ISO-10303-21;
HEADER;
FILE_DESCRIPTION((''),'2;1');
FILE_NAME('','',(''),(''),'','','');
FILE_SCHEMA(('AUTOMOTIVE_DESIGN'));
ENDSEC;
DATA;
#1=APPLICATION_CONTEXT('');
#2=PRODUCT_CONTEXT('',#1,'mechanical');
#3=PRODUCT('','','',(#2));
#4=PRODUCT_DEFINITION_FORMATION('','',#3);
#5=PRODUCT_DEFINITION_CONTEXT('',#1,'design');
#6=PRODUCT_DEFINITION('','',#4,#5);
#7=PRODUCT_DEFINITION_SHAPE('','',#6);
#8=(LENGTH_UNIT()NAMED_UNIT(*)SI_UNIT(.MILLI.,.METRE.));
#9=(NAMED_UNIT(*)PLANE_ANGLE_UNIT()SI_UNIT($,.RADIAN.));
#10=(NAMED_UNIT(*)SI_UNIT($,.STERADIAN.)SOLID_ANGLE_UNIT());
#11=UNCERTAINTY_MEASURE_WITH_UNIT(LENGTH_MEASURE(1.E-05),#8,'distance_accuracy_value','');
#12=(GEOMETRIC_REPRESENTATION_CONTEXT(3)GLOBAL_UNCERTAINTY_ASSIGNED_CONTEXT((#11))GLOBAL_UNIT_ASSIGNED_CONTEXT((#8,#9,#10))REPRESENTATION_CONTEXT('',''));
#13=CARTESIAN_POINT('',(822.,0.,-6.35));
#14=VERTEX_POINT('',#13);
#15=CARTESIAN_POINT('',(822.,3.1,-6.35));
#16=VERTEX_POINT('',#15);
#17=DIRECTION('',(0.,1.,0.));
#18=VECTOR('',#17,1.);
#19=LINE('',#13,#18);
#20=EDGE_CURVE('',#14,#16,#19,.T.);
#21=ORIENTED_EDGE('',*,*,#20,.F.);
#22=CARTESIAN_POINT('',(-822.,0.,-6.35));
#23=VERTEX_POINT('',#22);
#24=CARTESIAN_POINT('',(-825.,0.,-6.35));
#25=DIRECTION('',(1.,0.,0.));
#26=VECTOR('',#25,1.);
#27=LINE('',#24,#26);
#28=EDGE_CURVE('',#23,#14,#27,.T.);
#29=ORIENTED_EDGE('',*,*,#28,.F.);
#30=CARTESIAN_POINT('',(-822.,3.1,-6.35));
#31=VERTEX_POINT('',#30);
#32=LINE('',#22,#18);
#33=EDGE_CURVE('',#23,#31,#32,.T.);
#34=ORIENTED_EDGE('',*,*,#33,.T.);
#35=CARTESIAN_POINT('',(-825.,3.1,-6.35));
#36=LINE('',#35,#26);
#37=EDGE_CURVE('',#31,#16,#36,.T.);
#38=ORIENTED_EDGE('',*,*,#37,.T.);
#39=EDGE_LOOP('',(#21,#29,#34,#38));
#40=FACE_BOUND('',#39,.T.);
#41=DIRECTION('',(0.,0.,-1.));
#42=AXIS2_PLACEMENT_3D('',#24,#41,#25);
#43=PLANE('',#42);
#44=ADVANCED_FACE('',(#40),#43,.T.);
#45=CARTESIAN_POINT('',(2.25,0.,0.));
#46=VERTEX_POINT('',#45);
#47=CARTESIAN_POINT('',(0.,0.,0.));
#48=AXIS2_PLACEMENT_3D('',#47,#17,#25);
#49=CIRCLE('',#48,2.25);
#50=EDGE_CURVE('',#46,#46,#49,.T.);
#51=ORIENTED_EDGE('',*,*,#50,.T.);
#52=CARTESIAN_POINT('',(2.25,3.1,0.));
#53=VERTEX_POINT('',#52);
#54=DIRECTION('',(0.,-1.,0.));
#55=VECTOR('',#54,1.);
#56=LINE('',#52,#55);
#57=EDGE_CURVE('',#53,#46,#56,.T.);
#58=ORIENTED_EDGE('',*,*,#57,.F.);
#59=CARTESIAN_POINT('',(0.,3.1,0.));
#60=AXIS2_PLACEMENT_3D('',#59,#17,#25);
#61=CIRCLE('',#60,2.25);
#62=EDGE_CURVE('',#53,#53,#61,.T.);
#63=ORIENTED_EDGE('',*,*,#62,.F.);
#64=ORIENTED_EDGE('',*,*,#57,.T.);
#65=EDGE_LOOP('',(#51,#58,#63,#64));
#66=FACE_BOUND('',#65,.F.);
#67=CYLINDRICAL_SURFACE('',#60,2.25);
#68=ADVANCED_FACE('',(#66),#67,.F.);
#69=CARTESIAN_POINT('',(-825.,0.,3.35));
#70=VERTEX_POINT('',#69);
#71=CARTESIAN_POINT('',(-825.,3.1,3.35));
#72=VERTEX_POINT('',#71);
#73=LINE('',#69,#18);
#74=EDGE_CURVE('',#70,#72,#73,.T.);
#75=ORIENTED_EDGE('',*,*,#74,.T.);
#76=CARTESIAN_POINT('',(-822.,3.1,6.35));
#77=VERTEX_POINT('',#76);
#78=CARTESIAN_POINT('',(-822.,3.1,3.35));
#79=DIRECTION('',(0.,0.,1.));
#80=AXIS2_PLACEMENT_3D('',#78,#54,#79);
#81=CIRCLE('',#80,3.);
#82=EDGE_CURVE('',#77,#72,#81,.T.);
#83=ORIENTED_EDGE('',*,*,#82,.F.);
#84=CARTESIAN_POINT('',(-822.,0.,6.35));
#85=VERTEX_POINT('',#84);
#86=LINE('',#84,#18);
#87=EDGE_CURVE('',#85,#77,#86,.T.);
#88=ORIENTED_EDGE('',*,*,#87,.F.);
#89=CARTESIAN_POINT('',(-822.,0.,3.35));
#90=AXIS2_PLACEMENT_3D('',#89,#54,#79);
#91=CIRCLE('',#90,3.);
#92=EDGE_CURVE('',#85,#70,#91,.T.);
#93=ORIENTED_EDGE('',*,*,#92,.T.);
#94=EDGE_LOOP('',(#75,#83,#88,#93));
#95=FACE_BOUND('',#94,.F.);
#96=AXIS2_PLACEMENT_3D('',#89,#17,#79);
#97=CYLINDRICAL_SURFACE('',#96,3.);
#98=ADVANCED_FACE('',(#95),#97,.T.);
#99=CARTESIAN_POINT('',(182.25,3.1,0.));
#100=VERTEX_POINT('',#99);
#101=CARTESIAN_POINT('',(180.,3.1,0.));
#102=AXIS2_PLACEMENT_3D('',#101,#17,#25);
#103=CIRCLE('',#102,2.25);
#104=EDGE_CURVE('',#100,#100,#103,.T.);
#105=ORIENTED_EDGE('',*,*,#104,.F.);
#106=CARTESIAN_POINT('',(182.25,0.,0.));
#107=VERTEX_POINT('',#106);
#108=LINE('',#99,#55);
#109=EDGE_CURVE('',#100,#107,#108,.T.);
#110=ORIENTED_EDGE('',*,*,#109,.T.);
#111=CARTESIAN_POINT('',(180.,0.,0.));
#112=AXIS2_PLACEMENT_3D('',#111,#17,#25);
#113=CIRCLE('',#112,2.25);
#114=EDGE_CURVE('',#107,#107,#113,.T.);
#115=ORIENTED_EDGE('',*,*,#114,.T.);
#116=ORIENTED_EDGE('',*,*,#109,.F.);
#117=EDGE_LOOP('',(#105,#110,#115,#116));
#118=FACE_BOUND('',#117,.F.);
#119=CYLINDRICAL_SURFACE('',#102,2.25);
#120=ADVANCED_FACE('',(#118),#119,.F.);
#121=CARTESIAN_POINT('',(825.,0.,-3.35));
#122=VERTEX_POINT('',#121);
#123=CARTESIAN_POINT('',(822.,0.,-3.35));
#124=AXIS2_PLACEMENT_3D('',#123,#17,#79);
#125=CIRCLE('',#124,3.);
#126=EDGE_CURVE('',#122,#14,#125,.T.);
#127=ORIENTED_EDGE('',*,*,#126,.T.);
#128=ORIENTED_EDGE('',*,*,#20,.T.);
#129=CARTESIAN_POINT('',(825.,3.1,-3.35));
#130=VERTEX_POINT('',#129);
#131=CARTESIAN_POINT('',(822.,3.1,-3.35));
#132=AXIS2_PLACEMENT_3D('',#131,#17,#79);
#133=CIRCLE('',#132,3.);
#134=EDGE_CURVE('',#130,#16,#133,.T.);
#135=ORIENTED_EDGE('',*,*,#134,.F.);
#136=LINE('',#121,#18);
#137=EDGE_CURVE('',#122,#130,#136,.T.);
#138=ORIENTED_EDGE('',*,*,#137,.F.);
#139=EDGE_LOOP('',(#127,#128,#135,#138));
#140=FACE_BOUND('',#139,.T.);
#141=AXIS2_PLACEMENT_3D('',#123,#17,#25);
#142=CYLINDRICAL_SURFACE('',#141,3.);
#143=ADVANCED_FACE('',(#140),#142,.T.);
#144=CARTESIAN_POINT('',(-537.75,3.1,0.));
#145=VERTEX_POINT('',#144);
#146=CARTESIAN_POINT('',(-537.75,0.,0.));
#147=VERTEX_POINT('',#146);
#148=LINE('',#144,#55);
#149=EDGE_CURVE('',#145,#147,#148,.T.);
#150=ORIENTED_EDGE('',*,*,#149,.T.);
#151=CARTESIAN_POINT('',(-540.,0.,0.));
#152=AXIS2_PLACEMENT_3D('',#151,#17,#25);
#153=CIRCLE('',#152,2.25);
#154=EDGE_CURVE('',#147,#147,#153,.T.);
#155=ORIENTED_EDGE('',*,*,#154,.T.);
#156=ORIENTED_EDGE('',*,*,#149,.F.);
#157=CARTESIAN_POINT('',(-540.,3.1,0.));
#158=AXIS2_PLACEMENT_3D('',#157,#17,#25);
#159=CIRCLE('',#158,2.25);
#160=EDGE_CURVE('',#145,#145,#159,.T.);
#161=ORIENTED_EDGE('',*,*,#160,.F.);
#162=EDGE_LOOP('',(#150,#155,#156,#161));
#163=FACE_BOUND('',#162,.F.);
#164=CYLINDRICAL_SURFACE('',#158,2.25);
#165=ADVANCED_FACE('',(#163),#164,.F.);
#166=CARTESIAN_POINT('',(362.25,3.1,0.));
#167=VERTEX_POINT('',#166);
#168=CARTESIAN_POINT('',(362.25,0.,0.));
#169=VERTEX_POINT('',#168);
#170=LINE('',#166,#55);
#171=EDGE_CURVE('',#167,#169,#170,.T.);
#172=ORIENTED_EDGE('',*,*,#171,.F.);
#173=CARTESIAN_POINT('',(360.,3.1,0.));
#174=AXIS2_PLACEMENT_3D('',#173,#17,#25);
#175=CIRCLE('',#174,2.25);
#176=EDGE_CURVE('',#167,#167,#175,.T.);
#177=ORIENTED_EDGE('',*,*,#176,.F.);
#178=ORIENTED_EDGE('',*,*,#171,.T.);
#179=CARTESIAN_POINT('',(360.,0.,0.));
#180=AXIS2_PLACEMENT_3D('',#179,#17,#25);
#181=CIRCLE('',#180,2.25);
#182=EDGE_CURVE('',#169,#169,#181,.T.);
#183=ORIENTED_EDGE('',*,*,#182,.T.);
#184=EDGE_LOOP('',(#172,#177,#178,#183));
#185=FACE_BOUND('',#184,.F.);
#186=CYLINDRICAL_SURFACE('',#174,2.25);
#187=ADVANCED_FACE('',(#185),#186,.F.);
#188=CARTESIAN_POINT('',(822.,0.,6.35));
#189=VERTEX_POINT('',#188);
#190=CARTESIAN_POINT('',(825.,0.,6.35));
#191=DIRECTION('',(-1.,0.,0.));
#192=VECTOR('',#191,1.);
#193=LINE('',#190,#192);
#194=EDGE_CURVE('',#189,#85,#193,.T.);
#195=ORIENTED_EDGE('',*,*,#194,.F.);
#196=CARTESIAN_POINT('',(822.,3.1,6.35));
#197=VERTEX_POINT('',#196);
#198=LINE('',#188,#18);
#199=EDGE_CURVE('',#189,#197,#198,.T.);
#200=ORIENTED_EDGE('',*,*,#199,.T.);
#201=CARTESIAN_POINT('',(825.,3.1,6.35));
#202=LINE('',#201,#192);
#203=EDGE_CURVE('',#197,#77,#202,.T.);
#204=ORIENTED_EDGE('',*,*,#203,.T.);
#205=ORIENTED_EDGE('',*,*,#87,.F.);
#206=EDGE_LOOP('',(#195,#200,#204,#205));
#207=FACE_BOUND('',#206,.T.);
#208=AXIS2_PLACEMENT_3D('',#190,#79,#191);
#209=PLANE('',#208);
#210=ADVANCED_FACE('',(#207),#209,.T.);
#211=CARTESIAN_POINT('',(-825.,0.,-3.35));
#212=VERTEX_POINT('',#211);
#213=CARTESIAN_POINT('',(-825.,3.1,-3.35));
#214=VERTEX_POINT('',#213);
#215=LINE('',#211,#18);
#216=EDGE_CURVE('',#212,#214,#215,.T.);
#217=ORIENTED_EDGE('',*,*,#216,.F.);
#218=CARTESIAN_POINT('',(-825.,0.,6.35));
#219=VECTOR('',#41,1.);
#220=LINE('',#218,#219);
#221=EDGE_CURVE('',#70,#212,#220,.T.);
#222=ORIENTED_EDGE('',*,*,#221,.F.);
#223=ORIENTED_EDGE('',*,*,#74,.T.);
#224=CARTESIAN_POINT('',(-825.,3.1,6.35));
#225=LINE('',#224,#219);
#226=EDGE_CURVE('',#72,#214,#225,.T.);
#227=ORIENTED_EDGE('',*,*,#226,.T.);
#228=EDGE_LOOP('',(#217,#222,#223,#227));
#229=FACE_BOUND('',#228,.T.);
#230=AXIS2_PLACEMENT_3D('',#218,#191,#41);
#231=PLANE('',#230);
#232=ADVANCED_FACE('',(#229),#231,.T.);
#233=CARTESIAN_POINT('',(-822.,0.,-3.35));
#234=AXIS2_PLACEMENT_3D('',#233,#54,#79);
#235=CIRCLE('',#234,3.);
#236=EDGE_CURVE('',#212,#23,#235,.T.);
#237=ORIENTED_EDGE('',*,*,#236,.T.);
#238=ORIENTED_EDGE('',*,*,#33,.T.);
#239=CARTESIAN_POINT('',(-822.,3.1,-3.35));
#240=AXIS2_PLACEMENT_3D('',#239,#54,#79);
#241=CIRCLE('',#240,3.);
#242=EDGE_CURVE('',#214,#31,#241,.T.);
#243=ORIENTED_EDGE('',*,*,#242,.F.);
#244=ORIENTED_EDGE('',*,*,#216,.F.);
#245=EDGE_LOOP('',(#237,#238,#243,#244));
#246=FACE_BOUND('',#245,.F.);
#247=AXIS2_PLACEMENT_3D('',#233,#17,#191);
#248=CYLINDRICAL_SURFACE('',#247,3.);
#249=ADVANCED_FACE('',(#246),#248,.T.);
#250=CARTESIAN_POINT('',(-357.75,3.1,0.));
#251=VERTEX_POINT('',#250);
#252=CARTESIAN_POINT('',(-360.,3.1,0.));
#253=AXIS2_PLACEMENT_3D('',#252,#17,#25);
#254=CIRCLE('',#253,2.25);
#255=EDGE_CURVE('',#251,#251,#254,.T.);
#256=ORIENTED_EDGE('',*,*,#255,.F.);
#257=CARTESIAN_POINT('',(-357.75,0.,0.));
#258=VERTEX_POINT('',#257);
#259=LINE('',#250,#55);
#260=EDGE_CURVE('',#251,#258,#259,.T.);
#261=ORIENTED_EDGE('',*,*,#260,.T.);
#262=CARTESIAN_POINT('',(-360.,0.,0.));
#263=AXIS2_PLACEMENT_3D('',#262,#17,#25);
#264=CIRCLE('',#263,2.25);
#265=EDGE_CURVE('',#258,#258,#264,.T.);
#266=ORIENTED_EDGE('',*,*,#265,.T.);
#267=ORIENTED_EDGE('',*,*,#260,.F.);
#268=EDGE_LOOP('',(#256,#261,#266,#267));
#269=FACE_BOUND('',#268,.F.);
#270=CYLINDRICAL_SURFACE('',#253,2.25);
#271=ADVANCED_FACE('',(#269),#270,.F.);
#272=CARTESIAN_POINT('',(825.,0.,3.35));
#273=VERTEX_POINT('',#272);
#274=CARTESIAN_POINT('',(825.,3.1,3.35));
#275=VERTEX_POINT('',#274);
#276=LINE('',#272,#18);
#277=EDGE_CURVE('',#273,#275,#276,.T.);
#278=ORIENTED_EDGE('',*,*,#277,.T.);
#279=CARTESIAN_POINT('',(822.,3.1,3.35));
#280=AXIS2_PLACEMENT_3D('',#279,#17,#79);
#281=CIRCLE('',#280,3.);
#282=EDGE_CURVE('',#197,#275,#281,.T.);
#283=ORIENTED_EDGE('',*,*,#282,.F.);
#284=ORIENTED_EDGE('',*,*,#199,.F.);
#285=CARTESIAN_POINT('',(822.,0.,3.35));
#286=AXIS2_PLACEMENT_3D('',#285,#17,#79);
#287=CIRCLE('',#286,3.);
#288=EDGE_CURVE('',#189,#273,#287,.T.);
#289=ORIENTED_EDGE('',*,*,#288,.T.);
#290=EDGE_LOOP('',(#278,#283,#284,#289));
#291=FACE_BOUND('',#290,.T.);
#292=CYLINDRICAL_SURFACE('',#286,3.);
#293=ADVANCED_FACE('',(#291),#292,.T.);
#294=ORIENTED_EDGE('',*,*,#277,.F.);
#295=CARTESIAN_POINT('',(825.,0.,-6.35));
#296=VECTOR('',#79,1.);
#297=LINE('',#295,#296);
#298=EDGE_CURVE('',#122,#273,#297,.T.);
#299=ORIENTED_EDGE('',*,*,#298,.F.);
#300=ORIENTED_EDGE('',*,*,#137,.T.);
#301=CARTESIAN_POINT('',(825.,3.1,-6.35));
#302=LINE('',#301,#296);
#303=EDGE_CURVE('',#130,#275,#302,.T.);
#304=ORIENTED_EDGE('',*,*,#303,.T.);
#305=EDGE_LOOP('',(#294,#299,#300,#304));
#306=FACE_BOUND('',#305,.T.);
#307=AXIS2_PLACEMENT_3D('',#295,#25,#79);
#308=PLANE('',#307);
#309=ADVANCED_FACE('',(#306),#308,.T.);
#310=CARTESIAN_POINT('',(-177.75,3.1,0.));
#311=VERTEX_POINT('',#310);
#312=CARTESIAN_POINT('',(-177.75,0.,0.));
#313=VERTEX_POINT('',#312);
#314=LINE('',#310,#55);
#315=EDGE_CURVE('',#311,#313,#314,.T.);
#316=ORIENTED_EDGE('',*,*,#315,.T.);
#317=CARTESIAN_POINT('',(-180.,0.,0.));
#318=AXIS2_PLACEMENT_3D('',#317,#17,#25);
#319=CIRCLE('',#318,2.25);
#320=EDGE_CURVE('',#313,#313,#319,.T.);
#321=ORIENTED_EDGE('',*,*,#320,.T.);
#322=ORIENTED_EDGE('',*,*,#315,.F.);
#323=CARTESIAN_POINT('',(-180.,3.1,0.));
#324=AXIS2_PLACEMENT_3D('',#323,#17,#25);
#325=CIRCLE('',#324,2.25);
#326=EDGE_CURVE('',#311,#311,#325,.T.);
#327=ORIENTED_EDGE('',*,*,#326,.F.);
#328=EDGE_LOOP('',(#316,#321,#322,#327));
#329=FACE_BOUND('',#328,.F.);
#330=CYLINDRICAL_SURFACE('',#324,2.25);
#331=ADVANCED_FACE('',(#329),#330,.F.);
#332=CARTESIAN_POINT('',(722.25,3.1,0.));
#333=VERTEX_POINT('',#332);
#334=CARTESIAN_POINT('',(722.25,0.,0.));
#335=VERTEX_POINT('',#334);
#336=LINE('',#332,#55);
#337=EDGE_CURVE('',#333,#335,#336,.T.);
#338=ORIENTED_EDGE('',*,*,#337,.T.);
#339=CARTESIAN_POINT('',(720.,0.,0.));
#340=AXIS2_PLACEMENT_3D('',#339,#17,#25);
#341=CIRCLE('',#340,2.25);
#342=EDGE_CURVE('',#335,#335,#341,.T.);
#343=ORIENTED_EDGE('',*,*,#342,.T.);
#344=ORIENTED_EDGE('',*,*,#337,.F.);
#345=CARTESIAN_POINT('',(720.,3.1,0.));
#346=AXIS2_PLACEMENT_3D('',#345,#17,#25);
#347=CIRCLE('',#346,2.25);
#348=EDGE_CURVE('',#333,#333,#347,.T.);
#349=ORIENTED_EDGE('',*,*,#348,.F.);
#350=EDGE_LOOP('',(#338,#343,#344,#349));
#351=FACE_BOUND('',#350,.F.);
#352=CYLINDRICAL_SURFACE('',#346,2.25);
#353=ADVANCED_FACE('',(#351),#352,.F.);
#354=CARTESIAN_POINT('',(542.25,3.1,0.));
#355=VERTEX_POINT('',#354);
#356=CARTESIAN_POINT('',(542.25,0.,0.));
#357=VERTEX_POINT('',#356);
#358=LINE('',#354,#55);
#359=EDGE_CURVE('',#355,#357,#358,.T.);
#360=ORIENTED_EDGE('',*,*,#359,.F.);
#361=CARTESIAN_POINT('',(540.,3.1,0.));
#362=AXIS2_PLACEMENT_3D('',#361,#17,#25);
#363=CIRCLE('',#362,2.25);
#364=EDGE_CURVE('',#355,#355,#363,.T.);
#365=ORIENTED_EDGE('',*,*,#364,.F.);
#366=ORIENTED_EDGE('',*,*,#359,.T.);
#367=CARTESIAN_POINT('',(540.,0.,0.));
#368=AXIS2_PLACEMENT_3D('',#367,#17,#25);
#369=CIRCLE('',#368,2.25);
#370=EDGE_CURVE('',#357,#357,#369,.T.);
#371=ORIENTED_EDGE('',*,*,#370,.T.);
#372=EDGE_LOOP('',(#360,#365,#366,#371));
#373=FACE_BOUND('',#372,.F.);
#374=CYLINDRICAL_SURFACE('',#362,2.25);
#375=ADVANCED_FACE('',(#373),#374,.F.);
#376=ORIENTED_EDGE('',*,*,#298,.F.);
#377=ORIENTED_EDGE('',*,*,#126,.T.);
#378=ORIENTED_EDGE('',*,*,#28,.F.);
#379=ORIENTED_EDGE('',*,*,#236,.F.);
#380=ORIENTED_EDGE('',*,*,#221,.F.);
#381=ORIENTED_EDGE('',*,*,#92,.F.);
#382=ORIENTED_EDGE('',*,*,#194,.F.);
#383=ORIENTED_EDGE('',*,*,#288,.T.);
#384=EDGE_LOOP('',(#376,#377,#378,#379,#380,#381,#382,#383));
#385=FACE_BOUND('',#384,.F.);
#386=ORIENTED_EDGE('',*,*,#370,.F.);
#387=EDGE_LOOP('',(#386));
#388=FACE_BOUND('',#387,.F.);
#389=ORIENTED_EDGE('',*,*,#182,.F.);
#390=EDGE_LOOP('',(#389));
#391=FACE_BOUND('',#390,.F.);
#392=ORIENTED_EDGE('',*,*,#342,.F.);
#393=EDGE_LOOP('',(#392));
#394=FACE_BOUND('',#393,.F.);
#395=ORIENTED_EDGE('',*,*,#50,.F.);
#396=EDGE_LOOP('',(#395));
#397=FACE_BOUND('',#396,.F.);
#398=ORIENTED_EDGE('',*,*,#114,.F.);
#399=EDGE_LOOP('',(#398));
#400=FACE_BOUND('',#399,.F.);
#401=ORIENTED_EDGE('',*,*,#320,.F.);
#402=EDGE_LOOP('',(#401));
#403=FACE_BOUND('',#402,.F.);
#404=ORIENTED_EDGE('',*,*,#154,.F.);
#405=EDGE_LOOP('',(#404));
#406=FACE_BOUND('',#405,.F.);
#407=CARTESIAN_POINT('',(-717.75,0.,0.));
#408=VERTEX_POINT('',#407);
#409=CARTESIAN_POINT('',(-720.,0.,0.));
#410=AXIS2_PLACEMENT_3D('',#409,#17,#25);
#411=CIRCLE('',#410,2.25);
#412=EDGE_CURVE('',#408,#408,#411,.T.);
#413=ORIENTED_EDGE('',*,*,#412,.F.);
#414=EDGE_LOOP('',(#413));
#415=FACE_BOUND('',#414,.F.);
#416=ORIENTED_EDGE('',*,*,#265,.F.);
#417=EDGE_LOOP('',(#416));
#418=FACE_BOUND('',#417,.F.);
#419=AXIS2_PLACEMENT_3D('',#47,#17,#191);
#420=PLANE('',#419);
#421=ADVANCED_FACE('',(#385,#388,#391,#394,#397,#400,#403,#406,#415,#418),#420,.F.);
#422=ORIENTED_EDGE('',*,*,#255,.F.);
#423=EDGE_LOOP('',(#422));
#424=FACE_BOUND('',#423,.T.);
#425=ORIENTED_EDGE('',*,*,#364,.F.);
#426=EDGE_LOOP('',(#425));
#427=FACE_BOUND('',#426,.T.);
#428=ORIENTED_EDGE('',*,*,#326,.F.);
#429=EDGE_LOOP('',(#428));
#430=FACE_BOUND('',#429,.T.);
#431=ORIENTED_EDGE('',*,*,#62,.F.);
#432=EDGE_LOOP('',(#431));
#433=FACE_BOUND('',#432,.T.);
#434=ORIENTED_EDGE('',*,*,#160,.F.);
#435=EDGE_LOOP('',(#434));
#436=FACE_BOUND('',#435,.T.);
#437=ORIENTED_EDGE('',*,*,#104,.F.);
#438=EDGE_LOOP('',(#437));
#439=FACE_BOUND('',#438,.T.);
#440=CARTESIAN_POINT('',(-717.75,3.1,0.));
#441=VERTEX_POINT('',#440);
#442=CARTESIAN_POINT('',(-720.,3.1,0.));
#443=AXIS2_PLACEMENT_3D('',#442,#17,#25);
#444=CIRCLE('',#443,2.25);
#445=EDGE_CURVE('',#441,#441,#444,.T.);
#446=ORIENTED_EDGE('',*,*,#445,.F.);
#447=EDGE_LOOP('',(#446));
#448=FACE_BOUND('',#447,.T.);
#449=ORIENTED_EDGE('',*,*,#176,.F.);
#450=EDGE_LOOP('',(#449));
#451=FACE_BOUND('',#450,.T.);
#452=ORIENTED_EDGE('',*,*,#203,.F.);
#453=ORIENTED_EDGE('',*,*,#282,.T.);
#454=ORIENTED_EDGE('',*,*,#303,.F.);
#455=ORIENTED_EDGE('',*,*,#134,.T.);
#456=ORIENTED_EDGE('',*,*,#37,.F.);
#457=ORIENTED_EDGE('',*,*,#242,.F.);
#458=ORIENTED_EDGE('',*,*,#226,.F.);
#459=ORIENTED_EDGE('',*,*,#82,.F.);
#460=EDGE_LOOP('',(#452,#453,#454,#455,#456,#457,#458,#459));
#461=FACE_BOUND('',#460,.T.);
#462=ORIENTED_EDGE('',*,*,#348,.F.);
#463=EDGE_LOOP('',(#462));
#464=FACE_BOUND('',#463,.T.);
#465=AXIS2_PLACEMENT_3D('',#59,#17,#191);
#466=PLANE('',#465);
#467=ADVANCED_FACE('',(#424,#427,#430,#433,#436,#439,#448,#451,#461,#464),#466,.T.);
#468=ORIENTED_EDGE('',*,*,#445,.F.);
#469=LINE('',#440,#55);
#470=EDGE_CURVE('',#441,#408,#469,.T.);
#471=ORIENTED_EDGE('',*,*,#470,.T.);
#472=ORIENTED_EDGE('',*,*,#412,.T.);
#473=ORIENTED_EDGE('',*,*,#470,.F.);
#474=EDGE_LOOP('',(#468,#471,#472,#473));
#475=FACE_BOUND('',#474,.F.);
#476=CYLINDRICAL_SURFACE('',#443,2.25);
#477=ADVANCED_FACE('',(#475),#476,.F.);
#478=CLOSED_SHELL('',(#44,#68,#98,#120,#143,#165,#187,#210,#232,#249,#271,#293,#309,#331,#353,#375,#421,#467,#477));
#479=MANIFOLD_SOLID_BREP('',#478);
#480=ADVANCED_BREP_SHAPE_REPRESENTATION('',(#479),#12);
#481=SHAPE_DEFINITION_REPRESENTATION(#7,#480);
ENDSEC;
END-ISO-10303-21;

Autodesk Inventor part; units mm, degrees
ref_plane "YZ Plane" through (0, 0, 0) normal (1, 0, 0) x (0, 1, 0)
ref_plane "XZ Plane" through (0, 0, 0) normal (0, 1, 0) x (-1, 0, 0)
ref_plane "XY Plane" through (0, 0, 0) normal (0, 0, 1) x (1, 0, 0)
sketch "Sketch1" plane through (0, 0, 0) normal (0, 1, 0) x (-1, 0, 0)
  line L0 (-825, 6.35) -> (825, 6.35)
  line L1 (825, 6.35) -> (825, -6.35)
  line L2 (825, -6.35) -> (-825, -6.35)
  line L3 (-825, -6.35) -> (-825, 6.35)
  line L4 (-825, 6.35) -> (825, -6.35) construction
  line L5 (825, 6.35) -> (-825, -6.35) construction
  point P0 (0, 0)
  dimension "d0" = 1650
  dimension "d1" = 12.7
extrude "Extrusion1" add sketch "Sketch1" along normal blind 3.1
sketch "Sketch2" plane through (0, 3.1, 0) normal (0, 1, 0) x (1, 0, 0)
  circle A0 centre (0, 0) radius 2.25
  dimension "d4" = 4.5
extrude "Extrusion2" cut sketch "Sketch2" against normal blind 3.1
sketch "Sketch4" plane through (0, 3.1, 0) normal (0, 1, 0) x (1, 0, 0)
  line L0 (-825, -6.35) -> (825, -6.35) projected
  line L1 (825, 6.35) -> (-825, 6.35) projected
  line L2 (-825, -6.35) -> (825, -6.35)
  line L3 (825, -6.35) -> (825, 6.35)
  line L4 (825, 6.35) -> (-825, 6.35)
  line L5 (-825, 6.35) -> (-825, -6.35)
  circle A0 centre (0, 0) radius 2.25
  circle A1 centre (180, 0) radius 2.25
  circle A2 centre (360, 0) radius 2.25
  circle A3 centre (540, 0) radius 2.25
  circle A4 centre (720, 0) radius 2.25
  circle A5 centre (-180, 0) radius 2.25
  circle A6 centre (0, 0) radius 2.25
  circle A7 centre (180, 0) radius 2.25
  circle A8 centre (360, 0) radius 2.25
  circle A9 centre (540, 0) radius 2.25
  circle A10 centre (-360, 0) radius 2.25
  circle A11 centre (-180, 0) radius 2.25
  circle A12 centre (0, 0) radius 2.25
  circle A13 centre (180, 0) radius 2.25
  circle A14 centre (360, 0) radius 2.25
  circle A15 centre (-540, 0) radius 2.25
  circle A16 centre (-360, 0) radius 2.25
  circle A17 centre (-180, 0) radius 2.25
  circle A18 centre (0, 0) radius 2.25
  circle A19 centre (180, 0) radius 2.25
  circle A20 centre (-720, 0) radius 2.25
  circle A21 centre (-540, 0) radius 2.25
  circle A22 centre (-360, 0) radius 2.25
  circle A23 centre (-180, 0) radius 2.25
  circle A24 centre (0, 0) radius 2.25
  dimension "d9" = 180
  dimension "d12" = 180
extrude "Extrusion3" cut sketch "Sketch4" against normal blind 180 contours A0 | A1 | A2 | A3 | A4 | A5 | A10 | A15 | A20
fillet "Fillet1" radius 3 4 edges at (825, 1.55, 6.35) (825, 1.55, -6.35) (-825, 1.55, -6.35) (-825, 1.55, 6.35)
equation "\"d15\" = d9"
properties part number "SP28V1 Seguro Acrilico" material "Steel, Carbon"
